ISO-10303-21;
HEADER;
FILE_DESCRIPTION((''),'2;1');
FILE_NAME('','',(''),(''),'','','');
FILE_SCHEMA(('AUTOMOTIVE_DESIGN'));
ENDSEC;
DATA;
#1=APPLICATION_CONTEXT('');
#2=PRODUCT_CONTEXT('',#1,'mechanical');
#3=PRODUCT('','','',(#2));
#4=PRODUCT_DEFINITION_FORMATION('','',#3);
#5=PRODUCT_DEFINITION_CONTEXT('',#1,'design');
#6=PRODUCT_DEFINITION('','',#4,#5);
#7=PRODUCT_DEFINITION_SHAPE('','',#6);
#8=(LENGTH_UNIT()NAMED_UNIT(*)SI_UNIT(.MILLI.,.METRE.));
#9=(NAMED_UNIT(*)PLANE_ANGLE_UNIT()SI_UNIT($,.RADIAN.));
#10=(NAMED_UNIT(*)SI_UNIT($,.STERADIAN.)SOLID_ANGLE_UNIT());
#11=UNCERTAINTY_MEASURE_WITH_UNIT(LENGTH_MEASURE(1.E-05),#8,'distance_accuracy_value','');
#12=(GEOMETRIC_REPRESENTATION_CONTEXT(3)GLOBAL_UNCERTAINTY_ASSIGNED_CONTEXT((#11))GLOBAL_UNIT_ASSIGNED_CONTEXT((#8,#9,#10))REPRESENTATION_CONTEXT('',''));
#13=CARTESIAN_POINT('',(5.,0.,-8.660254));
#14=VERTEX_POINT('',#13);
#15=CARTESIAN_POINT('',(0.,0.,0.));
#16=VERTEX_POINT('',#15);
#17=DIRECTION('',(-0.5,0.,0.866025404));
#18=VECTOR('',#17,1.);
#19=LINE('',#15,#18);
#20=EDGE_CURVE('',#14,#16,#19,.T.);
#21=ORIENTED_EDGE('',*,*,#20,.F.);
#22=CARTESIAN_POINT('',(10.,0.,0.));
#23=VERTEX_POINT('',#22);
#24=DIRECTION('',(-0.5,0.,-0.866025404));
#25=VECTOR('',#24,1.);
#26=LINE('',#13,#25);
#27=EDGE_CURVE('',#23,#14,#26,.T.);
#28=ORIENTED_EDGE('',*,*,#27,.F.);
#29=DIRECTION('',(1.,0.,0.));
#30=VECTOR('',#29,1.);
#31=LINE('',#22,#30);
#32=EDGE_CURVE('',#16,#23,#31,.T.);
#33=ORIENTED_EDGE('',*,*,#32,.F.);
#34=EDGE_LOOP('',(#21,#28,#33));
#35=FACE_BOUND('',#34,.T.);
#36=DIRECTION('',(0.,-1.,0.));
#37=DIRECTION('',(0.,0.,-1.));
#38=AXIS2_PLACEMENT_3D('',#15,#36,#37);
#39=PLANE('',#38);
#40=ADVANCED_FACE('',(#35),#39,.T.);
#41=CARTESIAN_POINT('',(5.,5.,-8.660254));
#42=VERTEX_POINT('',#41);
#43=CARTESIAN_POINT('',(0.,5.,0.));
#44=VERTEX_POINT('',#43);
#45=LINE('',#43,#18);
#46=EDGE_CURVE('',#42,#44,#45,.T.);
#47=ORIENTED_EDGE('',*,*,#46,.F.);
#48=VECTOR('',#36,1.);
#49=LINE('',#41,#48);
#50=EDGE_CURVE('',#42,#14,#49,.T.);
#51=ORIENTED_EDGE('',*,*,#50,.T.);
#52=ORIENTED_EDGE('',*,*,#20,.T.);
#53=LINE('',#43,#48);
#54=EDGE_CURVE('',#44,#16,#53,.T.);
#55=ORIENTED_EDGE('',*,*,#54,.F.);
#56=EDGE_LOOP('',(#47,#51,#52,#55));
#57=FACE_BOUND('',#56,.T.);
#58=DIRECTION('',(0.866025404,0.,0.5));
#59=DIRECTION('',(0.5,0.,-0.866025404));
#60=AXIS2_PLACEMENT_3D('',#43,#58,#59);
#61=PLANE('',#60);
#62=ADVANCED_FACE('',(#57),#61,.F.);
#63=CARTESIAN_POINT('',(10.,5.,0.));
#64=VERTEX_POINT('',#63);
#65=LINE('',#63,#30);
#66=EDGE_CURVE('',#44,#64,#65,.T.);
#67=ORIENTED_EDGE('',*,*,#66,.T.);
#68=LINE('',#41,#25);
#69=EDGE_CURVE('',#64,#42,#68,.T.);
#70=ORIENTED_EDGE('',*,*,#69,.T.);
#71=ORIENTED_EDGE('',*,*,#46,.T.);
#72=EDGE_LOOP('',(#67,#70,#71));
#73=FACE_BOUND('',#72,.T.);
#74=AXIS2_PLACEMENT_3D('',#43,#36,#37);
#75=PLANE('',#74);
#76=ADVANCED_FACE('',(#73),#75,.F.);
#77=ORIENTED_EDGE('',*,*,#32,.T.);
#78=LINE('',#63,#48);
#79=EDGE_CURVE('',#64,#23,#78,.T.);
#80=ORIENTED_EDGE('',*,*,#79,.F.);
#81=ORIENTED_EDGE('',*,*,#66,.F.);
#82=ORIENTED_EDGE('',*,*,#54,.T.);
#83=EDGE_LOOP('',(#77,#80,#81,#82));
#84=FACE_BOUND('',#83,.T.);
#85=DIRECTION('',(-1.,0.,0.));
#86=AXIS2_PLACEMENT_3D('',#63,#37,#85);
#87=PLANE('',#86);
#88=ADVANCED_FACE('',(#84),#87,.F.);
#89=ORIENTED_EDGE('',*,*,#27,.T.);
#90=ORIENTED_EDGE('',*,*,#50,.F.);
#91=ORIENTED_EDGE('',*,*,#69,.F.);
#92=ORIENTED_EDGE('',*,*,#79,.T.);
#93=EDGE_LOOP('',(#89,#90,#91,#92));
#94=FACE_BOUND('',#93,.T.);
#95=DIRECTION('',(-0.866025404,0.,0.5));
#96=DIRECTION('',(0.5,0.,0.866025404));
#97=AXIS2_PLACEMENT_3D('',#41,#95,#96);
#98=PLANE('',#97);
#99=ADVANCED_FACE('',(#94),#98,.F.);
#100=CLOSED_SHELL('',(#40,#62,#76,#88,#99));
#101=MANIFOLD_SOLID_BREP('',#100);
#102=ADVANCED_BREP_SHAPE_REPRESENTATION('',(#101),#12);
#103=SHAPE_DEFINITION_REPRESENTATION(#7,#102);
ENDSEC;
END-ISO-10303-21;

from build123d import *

# Parameters (mm, degrees)
BOSS_EXTRUDE1_DEPTH = 5


with BuildPart() as part:
    # Sketch1 → Boss-Extrude1 (new body)
    with BuildSketch(Plane(origin=(0, 0, 0), x_dir=(1, 0, 0), z_dir=(0, 1, 0))):
        Polygon((0, 0), (5, 8.660254038), (10, 0), align=None)
    extrude(amount=BOSS_EXTRUDE1_DEPTH)


solid = part.part
